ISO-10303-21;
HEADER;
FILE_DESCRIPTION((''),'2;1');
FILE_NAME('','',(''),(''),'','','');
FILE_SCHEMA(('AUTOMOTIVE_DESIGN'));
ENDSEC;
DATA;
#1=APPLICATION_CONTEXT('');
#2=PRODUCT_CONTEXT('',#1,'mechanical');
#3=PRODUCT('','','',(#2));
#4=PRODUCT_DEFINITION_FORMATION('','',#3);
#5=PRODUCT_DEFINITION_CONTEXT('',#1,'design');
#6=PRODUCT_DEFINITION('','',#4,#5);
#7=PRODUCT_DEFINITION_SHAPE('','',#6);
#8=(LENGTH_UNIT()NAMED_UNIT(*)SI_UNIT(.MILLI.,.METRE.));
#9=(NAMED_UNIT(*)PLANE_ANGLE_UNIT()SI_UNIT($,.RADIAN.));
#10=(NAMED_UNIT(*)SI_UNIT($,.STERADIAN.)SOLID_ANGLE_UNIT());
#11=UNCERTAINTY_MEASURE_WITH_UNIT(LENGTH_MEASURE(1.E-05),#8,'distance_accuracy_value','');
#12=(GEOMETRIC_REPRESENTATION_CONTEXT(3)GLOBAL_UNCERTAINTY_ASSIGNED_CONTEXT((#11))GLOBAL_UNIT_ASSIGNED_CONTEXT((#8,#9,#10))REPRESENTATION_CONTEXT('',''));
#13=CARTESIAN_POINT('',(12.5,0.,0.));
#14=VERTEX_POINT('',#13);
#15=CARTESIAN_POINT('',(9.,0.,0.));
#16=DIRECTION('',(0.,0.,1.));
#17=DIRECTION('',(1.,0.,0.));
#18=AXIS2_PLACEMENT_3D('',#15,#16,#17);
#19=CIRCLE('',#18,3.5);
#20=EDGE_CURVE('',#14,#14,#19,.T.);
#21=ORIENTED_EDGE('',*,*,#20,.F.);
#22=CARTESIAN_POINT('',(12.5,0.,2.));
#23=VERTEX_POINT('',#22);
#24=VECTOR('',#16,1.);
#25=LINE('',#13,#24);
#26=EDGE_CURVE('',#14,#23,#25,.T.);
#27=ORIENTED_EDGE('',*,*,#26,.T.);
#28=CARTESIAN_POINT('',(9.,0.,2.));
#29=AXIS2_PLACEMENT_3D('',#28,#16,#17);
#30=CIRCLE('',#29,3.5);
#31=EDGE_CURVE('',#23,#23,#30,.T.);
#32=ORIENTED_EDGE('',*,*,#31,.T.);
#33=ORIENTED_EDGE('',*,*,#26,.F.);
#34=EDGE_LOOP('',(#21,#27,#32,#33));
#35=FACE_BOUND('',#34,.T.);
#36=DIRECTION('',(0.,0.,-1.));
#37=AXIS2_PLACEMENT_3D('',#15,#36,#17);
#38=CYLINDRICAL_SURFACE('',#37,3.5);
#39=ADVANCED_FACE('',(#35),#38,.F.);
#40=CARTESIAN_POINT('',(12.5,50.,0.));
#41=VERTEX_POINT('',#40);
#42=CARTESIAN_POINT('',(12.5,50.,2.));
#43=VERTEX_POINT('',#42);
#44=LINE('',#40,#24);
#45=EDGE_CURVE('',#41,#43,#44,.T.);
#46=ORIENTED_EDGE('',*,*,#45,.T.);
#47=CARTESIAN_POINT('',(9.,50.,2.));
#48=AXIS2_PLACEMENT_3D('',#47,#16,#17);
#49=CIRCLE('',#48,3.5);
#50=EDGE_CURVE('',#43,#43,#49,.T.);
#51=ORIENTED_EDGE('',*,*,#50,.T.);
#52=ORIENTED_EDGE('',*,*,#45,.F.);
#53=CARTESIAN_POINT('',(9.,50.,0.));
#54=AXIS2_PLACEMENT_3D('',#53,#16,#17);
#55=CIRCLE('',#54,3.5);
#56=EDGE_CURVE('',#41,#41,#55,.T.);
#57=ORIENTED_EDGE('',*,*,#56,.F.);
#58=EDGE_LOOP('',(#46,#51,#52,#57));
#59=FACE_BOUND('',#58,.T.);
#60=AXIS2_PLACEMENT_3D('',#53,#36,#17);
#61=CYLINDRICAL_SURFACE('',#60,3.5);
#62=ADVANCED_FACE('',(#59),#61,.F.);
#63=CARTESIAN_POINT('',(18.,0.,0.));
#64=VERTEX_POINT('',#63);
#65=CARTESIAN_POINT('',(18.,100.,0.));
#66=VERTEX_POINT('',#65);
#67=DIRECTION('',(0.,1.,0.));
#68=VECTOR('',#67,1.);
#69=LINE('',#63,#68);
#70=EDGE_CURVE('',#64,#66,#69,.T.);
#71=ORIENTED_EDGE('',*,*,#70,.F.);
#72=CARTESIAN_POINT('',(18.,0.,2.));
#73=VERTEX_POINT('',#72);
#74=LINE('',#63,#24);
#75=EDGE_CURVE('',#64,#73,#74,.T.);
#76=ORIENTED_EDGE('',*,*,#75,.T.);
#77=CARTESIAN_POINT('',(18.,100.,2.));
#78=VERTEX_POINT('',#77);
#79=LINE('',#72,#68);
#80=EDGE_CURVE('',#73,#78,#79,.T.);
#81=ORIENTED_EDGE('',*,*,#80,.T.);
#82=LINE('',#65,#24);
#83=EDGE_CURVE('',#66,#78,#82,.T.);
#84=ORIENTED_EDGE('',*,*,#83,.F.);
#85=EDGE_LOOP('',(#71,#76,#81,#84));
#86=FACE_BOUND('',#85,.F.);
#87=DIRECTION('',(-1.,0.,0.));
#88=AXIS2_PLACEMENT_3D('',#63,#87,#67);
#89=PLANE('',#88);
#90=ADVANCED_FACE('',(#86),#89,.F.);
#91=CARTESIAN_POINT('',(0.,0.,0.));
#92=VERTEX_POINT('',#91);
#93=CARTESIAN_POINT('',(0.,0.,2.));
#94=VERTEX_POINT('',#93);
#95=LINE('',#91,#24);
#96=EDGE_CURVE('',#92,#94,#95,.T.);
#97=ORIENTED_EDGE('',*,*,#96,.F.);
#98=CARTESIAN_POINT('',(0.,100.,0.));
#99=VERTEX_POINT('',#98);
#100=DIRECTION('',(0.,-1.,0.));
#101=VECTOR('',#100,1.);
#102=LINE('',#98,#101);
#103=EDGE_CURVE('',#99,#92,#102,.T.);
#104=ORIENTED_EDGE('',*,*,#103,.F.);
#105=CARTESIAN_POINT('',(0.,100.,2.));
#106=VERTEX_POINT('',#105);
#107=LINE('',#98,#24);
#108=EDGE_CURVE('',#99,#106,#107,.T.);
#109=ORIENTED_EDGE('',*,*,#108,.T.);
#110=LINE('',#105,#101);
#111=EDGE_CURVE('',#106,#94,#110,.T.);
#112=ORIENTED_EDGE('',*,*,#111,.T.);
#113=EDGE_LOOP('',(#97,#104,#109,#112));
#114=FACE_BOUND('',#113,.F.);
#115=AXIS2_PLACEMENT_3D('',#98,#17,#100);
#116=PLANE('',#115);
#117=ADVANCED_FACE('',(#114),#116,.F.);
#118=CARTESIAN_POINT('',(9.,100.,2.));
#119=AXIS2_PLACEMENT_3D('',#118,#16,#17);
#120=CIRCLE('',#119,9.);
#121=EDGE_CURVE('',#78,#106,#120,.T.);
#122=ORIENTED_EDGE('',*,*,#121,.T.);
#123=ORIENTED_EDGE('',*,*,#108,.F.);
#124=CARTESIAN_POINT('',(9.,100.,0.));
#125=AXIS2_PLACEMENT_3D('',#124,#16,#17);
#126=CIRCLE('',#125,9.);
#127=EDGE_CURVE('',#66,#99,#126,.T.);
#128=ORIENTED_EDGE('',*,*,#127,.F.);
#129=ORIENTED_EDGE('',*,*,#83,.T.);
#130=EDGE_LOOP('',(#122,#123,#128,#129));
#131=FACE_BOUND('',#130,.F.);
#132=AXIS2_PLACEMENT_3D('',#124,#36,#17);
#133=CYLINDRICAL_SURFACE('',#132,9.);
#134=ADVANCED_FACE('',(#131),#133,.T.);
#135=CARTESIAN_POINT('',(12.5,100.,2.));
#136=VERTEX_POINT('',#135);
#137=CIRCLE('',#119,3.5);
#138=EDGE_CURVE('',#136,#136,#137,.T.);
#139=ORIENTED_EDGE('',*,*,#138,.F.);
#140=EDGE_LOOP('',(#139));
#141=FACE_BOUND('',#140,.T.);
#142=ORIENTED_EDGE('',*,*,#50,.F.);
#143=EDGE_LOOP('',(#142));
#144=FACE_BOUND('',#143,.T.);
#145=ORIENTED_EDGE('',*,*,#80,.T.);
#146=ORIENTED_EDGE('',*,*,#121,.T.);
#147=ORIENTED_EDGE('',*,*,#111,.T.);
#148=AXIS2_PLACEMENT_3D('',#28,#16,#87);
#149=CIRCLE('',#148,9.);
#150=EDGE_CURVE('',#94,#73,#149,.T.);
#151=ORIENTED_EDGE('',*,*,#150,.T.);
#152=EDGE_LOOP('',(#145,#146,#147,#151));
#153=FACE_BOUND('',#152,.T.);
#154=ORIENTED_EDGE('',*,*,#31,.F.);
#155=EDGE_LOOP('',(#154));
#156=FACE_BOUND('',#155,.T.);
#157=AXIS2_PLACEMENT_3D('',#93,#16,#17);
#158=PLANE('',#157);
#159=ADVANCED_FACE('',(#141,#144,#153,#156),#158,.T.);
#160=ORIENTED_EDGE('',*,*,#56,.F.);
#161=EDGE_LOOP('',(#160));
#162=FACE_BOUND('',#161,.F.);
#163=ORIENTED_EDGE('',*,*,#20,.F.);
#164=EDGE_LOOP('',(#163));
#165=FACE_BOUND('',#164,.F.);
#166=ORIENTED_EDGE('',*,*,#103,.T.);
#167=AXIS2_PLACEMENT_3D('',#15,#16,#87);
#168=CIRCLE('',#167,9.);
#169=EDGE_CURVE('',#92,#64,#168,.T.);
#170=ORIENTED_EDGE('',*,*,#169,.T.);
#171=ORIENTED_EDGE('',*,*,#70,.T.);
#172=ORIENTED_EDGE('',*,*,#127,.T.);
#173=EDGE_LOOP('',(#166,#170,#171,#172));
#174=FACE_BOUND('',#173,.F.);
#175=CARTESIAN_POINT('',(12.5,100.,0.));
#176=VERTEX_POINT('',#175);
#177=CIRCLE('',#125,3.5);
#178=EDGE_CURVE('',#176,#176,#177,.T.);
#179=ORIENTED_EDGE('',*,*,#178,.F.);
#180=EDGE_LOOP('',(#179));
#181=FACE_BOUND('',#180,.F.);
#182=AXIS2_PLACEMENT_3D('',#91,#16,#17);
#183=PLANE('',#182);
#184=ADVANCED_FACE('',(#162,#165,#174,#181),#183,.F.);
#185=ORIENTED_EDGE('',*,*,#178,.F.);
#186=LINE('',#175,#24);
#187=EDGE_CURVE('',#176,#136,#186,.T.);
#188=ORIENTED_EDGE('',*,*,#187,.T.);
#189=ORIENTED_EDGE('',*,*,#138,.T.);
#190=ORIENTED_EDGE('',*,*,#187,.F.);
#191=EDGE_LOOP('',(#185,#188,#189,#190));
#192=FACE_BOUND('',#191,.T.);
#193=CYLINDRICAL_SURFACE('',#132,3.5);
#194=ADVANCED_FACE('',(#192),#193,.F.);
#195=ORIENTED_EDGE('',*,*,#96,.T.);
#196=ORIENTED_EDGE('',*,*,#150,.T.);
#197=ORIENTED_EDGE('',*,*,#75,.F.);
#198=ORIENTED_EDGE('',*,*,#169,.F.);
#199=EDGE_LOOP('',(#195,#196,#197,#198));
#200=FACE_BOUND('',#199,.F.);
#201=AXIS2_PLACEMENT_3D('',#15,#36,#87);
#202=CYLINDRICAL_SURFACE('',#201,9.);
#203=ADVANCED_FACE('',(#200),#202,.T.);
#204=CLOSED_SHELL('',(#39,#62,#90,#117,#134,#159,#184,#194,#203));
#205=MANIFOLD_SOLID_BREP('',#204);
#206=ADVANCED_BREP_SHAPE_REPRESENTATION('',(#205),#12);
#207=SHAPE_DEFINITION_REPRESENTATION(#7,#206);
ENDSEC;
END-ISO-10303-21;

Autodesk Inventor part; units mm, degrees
ref_plane "YZ Plane" through (0, 0, 0) normal (1, 0, 0) x (0, 1, 0)
ref_plane "XZ Plane" through (0, 0, 0) normal (0, 1, 0) x (-1, 0, 0)
ref_plane "XY Plane" through (0, 0, 0) normal (0, 0, 1) x (1, 0, 0)
sketch "スケッチ1" plane through (0, 0, 0) normal (0, 0, 1) x (1, 0, 0)
  line L0 (18, 0) -> (18, 100)
  line L1 (0, 100) -> (0, 0)
  line L2 (9, 100) -> (9, 0) construction
  arc A0 (18, 100) -> (0, 100) centre (9, 100) ccw
  arc A1 (0, 0) -> (18, 0) centre (9, 0) ccw
  circle A2 centre (9, 0) radius 3.5
  circle A3 centre (9, 100) radius 3.5
  circle A4 centre (9, 50) radius 3.5
  dimension "d35" = 18
  dimension "d36" = 100
  dimension "d37" = 7
  dimension "d38" = 7
  dimension "d41" = 7
extrude "押し出し1" add sketch "スケッチ1" along normal blind 2
properties part number "hip_link" material "GFRP"
